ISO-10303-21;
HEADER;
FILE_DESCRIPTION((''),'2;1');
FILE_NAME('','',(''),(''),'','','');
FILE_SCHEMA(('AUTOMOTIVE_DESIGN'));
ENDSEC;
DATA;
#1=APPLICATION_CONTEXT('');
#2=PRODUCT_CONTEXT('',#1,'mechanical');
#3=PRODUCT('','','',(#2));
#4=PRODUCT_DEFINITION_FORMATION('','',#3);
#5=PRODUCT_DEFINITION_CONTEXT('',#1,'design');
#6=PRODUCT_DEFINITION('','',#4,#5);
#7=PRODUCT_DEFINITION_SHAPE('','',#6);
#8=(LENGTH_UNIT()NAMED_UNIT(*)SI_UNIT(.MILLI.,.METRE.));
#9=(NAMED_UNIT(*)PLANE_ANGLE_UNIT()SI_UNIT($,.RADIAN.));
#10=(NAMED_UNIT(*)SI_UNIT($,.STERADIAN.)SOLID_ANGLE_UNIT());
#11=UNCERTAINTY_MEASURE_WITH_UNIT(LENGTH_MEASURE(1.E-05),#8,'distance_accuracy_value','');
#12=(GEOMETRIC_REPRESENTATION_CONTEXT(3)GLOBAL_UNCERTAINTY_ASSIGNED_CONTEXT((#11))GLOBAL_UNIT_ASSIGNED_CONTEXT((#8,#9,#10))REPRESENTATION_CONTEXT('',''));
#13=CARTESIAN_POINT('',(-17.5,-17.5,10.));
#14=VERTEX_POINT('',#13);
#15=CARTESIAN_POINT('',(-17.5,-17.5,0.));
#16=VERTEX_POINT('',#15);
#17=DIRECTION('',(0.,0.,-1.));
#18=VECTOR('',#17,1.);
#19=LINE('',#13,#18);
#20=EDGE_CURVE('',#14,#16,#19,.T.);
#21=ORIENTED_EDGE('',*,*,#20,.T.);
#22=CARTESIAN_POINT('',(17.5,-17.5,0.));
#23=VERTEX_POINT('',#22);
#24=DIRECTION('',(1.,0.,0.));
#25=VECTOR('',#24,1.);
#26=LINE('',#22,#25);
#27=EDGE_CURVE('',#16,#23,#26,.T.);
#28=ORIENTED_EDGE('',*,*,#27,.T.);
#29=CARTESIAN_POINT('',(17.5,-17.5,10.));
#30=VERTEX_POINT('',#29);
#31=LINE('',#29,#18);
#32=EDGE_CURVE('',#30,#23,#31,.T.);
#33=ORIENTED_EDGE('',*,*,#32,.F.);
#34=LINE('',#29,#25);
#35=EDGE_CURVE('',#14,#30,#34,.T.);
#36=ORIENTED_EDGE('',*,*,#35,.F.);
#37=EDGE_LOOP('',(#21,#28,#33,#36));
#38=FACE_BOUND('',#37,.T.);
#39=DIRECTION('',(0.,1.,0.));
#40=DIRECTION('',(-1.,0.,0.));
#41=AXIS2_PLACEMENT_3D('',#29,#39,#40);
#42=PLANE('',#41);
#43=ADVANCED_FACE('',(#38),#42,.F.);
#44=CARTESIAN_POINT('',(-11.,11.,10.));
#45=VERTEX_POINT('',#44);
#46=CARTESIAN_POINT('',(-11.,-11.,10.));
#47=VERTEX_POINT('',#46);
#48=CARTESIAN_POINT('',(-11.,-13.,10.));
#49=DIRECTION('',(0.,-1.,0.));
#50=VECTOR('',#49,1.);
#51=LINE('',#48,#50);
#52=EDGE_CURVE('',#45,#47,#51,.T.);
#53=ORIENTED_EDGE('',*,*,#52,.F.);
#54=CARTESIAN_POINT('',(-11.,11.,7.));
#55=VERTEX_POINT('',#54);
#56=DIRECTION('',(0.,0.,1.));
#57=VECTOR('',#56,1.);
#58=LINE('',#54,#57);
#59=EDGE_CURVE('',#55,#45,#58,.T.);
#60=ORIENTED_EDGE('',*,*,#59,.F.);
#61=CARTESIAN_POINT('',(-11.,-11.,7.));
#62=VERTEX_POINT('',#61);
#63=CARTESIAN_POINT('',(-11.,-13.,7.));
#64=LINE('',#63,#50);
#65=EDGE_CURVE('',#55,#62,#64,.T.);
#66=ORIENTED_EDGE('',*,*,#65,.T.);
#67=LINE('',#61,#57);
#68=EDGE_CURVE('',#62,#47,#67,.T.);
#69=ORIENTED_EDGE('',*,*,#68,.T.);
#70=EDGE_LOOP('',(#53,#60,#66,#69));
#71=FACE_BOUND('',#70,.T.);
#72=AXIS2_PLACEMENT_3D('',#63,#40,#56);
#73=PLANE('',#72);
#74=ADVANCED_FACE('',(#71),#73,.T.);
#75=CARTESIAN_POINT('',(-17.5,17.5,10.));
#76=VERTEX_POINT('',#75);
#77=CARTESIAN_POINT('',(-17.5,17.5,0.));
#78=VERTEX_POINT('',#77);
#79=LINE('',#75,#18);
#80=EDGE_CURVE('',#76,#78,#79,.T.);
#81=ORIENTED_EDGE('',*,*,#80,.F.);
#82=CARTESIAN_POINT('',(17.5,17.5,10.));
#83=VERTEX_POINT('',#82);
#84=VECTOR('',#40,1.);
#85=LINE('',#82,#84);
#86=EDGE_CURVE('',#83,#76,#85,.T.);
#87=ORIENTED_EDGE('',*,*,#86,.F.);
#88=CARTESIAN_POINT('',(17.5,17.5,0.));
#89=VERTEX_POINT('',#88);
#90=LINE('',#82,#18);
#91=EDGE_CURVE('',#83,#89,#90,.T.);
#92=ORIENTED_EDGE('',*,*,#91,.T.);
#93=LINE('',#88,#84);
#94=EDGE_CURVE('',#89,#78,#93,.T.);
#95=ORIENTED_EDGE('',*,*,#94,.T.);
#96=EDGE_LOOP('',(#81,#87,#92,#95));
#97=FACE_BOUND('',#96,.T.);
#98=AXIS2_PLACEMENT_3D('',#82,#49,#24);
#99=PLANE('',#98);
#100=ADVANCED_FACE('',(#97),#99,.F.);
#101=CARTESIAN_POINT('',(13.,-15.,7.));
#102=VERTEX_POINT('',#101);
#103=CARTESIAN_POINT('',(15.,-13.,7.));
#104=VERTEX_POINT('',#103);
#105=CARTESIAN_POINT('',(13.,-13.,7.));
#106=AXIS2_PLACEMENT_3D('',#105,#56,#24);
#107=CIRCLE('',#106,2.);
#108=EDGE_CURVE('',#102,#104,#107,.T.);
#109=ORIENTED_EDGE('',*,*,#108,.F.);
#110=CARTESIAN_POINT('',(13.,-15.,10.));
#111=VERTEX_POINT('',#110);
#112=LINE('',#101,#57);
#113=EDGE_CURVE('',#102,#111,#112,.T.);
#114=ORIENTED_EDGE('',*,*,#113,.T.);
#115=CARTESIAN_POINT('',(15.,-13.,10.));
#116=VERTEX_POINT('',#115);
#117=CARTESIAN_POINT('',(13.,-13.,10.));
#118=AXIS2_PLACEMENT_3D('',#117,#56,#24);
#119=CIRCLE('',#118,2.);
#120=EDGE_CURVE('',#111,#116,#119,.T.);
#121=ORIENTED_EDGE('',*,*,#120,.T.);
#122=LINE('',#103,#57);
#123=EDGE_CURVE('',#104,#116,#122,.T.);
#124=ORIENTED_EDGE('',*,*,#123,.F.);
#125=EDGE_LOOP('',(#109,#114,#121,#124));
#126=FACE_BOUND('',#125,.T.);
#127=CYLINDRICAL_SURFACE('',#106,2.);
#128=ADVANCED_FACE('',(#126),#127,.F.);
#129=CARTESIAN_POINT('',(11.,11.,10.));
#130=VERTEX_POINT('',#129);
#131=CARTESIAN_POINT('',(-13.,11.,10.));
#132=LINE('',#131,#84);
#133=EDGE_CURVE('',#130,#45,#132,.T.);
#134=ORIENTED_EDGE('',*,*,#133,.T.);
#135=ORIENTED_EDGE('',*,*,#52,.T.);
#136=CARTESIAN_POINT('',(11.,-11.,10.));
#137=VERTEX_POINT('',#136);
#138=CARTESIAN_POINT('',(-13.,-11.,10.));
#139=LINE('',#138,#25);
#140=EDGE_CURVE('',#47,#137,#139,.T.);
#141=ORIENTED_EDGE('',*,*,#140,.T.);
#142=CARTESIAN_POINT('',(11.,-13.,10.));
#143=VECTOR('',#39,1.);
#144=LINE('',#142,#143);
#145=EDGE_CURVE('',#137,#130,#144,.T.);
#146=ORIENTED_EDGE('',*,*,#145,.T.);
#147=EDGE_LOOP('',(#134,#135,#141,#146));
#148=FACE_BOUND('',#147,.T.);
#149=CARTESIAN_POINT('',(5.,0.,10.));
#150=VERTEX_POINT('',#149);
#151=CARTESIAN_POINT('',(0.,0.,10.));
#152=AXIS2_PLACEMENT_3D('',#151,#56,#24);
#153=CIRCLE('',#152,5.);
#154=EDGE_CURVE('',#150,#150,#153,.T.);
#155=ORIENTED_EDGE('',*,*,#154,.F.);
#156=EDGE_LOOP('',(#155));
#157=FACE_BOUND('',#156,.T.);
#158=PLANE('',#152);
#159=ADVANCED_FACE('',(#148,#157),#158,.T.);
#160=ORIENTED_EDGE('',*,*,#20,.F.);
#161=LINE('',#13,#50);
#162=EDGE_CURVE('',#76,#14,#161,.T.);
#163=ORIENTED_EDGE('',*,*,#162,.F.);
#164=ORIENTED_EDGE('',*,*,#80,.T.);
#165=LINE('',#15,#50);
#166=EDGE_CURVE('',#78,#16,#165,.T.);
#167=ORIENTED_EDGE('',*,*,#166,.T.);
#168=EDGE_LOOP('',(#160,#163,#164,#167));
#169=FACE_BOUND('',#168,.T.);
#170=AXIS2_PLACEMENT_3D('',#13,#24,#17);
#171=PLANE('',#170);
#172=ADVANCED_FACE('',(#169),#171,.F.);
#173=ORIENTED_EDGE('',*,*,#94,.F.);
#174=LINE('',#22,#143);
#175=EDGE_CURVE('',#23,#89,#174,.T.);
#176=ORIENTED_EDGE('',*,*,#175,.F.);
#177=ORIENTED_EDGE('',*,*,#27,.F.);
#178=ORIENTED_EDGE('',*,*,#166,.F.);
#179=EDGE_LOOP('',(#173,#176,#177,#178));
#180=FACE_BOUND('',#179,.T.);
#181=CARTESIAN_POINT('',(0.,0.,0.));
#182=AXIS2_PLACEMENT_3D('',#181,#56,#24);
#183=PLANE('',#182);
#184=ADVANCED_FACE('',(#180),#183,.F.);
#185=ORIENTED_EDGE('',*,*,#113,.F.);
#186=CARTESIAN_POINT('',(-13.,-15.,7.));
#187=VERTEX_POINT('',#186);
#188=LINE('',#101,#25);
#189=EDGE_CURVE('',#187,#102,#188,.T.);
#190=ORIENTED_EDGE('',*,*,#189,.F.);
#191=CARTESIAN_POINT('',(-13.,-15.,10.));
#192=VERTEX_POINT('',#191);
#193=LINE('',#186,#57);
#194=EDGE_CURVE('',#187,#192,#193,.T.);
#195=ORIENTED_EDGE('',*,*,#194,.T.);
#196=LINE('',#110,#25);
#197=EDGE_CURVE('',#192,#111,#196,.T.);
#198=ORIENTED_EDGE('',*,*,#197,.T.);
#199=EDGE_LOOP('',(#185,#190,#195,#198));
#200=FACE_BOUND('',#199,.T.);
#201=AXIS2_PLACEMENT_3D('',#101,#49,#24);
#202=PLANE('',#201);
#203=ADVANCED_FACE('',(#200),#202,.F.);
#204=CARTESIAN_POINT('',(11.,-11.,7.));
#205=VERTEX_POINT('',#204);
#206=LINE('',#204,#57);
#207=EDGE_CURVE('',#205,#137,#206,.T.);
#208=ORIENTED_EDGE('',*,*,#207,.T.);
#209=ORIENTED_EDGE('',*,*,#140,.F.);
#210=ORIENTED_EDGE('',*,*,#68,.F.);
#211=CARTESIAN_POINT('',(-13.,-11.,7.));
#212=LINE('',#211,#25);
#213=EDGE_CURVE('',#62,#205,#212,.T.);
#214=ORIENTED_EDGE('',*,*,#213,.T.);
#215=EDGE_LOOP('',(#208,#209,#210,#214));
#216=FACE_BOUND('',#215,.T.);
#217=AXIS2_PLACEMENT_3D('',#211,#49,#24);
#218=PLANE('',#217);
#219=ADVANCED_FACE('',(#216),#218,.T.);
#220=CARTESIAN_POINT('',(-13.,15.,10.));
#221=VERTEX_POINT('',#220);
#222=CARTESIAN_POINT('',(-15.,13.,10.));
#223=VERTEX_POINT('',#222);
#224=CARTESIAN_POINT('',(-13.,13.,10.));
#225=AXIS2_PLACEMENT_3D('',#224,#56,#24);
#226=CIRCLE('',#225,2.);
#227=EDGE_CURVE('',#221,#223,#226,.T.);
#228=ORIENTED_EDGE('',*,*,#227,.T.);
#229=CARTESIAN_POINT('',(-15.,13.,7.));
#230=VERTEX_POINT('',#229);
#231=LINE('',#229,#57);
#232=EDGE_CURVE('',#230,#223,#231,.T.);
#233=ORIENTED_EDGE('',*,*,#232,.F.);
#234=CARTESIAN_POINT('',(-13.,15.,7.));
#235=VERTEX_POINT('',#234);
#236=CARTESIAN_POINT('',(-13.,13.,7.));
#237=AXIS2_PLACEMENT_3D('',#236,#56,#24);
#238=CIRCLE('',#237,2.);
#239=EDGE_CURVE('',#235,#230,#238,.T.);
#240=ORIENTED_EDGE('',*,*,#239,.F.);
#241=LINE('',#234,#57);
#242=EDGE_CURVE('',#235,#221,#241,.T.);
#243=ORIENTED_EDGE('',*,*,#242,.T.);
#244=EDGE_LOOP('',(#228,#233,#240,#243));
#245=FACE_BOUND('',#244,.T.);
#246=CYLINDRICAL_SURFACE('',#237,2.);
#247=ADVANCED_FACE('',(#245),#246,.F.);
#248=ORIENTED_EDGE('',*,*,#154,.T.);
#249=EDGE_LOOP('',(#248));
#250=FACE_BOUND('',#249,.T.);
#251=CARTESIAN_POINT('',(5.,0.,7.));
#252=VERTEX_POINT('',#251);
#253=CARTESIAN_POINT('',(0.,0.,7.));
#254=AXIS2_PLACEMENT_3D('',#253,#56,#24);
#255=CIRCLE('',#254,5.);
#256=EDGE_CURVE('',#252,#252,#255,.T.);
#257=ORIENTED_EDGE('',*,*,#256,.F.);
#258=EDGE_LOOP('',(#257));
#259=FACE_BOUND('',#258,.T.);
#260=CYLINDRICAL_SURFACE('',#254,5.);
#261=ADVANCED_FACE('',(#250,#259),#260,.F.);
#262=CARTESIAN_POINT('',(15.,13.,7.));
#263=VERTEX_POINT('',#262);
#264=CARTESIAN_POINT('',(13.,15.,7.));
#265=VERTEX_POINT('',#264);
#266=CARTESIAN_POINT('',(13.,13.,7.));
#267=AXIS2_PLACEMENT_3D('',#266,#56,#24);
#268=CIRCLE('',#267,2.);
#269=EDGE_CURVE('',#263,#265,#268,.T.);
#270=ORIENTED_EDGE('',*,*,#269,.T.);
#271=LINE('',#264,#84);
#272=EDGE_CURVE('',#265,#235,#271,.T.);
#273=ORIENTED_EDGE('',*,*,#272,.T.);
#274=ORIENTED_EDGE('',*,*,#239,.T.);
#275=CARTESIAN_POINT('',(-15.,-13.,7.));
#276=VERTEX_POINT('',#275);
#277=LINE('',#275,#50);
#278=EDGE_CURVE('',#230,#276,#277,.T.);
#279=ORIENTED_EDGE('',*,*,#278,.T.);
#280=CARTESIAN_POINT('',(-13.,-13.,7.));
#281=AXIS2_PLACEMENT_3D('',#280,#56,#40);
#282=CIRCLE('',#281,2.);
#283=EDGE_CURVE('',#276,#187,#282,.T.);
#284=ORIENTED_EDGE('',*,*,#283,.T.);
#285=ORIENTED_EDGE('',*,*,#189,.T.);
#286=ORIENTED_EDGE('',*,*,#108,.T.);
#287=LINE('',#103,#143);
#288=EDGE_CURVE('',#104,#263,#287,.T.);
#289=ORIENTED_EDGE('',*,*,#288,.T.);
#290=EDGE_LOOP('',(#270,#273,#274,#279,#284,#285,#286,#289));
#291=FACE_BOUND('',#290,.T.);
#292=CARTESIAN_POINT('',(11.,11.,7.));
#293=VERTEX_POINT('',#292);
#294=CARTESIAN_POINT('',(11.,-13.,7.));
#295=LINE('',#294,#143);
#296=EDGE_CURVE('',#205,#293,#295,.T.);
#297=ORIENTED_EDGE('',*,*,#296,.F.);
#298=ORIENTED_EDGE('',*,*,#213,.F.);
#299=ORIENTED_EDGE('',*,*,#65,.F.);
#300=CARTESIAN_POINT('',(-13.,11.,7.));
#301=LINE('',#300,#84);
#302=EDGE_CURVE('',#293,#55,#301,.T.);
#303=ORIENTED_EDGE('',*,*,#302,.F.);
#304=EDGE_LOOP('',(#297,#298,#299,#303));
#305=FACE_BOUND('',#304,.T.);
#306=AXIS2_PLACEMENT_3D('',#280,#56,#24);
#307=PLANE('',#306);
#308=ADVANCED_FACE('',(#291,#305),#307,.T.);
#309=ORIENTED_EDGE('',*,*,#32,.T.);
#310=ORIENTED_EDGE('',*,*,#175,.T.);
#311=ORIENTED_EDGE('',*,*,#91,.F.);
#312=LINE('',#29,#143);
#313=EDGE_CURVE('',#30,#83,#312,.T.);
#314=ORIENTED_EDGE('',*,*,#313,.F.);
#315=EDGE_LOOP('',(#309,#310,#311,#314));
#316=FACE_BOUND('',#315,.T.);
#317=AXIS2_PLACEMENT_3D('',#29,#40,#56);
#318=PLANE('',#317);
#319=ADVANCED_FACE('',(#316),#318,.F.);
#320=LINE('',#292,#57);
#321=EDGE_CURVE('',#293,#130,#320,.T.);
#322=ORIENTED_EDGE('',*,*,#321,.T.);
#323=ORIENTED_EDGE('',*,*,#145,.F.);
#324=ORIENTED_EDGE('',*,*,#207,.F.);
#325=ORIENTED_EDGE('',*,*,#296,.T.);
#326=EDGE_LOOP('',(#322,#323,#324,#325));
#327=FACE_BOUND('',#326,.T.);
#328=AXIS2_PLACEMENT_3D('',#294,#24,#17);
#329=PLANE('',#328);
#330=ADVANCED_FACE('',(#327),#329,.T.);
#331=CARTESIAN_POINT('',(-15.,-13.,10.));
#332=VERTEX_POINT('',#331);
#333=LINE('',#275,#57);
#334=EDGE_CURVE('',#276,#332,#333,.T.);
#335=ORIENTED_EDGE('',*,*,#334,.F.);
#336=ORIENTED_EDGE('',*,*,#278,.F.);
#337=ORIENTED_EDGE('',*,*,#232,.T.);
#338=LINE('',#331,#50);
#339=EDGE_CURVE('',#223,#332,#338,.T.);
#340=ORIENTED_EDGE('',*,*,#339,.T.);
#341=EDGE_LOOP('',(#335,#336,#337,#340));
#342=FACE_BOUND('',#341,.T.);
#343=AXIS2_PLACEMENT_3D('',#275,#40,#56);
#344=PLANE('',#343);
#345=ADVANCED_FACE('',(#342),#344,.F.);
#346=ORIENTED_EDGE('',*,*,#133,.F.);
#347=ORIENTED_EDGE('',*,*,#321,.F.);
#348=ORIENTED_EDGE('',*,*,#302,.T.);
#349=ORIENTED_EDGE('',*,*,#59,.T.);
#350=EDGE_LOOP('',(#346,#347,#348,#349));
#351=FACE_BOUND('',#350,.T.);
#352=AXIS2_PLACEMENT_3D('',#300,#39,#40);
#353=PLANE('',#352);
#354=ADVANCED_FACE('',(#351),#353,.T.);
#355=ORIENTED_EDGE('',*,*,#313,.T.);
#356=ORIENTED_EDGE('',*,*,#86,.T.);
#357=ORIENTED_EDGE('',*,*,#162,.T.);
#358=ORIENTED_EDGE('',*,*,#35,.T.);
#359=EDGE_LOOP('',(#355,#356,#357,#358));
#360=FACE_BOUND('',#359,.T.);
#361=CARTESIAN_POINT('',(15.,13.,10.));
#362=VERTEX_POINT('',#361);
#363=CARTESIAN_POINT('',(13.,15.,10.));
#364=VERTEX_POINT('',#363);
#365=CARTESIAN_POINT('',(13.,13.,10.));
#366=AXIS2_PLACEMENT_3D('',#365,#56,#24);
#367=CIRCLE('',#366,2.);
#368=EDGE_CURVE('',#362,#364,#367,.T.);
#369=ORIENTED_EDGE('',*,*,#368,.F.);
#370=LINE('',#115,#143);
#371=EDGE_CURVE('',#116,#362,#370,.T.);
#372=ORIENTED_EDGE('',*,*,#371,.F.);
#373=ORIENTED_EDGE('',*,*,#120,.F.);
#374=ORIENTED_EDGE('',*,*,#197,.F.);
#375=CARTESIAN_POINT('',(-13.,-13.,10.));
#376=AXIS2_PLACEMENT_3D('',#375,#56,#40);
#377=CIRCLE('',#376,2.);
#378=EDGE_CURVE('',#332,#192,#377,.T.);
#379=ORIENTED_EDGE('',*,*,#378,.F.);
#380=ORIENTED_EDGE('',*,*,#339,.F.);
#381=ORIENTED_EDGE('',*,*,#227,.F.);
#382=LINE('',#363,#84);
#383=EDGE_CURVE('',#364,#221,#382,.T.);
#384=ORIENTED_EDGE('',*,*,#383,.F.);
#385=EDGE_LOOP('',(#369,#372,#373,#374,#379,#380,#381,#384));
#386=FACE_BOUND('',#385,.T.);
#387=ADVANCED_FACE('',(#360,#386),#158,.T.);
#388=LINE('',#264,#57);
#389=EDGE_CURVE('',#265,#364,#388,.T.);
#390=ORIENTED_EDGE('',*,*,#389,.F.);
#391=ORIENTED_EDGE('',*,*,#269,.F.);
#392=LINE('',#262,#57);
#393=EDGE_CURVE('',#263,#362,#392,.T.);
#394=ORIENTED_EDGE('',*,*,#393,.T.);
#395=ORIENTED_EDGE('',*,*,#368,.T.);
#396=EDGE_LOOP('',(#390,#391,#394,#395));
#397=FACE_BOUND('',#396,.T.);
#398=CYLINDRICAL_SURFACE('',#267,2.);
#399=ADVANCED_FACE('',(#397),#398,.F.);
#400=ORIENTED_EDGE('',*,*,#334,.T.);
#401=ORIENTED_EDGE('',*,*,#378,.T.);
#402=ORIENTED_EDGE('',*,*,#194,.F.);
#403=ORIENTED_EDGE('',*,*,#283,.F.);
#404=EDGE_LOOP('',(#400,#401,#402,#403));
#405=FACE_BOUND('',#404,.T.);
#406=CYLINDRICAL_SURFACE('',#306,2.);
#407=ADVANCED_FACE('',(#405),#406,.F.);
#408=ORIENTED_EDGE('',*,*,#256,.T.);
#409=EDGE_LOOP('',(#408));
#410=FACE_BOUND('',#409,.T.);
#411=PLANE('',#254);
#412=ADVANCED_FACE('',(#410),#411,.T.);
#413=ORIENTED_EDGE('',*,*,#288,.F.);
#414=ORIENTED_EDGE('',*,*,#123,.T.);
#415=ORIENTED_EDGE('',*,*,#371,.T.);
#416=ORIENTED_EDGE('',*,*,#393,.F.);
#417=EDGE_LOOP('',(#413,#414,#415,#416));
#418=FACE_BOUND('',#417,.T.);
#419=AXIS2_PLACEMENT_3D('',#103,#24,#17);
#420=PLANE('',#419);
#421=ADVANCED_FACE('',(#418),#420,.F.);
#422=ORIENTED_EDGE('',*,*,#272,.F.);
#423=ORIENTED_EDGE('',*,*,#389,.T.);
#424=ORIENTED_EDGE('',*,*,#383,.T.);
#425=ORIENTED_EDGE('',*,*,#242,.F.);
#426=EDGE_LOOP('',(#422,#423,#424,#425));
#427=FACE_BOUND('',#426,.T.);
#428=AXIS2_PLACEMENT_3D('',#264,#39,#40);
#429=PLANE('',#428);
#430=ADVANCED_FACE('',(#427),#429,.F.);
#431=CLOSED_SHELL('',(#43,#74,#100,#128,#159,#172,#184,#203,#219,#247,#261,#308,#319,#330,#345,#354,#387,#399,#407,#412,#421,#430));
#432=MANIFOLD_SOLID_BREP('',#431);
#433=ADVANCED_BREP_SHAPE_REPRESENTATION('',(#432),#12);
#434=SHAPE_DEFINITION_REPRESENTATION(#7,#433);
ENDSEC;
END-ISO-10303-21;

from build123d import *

# Parameters (mm, degrees)
ESQUISSE2_W                     = 35
ESQUISSE2_H                     = 35
BOSS_EXTRU_2_DEPTH              = 10
ESQUISSE3_W                     = 22
ESQUISSE3_H                     = 22
ENL_V_DE_MAT_EXTRU_MINCE1_DEPTH = 3
ESQUISSE4_R                     = 5
ENL_V_MAT_EXTRU_1_DEPTH         = 3


with BuildPart() as part:
    # Esquisse2 → Boss.-Extru.2 (new body)
    with BuildSketch(Plane.XY):
        Rectangle(ESQUISSE2_W, ESQUISSE2_H)
    extrude(amount=BOSS_EXTRU_2_DEPTH)

    # Esquisse3 → Enlèv. de mat.-Extru.-Mince1 (cut)
    with BuildSketch(Plane.XY.offset(10)):
        with BuildLine():
            Line((-13, 15), (13, 15))
            ThreePointArc((13, 15), (14.414213562, 14.414213562), (15, 13))
            Line((15, 13), (15, -13))
            ThreePointArc((15, -13), (14.414213562, -14.414213562), (13, -15))
            Line((13, -15), (-13, -15))
            ThreePointArc((-13, -15), (-14.414213562, -14.414213562), (-15, -13))
            Line((-15, -13), (-15, 13))
            ThreePointArc((-15, 13), (-14.414213562, 14.414213562), (-13, 15))
        make_face()
        Rectangle(ESQUISSE3_W, ESQUISSE3_H, mode=Mode.SUBTRACT)
    extrude(amount=-ENL_V_DE_MAT_EXTRU_MINCE1_DEPTH, mode=Mode.SUBTRACT)

    # Esquisse4 → Enlèv. mat.-Extru.1 (cut)
    with BuildSketch(Plane.XY.offset(10)):
        Circle(ESQUISSE4_R)
    extrude(amount=-ENL_V_MAT_EXTRU_1_DEPTH, mode=Mode.SUBTRACT)


solid = part.part
